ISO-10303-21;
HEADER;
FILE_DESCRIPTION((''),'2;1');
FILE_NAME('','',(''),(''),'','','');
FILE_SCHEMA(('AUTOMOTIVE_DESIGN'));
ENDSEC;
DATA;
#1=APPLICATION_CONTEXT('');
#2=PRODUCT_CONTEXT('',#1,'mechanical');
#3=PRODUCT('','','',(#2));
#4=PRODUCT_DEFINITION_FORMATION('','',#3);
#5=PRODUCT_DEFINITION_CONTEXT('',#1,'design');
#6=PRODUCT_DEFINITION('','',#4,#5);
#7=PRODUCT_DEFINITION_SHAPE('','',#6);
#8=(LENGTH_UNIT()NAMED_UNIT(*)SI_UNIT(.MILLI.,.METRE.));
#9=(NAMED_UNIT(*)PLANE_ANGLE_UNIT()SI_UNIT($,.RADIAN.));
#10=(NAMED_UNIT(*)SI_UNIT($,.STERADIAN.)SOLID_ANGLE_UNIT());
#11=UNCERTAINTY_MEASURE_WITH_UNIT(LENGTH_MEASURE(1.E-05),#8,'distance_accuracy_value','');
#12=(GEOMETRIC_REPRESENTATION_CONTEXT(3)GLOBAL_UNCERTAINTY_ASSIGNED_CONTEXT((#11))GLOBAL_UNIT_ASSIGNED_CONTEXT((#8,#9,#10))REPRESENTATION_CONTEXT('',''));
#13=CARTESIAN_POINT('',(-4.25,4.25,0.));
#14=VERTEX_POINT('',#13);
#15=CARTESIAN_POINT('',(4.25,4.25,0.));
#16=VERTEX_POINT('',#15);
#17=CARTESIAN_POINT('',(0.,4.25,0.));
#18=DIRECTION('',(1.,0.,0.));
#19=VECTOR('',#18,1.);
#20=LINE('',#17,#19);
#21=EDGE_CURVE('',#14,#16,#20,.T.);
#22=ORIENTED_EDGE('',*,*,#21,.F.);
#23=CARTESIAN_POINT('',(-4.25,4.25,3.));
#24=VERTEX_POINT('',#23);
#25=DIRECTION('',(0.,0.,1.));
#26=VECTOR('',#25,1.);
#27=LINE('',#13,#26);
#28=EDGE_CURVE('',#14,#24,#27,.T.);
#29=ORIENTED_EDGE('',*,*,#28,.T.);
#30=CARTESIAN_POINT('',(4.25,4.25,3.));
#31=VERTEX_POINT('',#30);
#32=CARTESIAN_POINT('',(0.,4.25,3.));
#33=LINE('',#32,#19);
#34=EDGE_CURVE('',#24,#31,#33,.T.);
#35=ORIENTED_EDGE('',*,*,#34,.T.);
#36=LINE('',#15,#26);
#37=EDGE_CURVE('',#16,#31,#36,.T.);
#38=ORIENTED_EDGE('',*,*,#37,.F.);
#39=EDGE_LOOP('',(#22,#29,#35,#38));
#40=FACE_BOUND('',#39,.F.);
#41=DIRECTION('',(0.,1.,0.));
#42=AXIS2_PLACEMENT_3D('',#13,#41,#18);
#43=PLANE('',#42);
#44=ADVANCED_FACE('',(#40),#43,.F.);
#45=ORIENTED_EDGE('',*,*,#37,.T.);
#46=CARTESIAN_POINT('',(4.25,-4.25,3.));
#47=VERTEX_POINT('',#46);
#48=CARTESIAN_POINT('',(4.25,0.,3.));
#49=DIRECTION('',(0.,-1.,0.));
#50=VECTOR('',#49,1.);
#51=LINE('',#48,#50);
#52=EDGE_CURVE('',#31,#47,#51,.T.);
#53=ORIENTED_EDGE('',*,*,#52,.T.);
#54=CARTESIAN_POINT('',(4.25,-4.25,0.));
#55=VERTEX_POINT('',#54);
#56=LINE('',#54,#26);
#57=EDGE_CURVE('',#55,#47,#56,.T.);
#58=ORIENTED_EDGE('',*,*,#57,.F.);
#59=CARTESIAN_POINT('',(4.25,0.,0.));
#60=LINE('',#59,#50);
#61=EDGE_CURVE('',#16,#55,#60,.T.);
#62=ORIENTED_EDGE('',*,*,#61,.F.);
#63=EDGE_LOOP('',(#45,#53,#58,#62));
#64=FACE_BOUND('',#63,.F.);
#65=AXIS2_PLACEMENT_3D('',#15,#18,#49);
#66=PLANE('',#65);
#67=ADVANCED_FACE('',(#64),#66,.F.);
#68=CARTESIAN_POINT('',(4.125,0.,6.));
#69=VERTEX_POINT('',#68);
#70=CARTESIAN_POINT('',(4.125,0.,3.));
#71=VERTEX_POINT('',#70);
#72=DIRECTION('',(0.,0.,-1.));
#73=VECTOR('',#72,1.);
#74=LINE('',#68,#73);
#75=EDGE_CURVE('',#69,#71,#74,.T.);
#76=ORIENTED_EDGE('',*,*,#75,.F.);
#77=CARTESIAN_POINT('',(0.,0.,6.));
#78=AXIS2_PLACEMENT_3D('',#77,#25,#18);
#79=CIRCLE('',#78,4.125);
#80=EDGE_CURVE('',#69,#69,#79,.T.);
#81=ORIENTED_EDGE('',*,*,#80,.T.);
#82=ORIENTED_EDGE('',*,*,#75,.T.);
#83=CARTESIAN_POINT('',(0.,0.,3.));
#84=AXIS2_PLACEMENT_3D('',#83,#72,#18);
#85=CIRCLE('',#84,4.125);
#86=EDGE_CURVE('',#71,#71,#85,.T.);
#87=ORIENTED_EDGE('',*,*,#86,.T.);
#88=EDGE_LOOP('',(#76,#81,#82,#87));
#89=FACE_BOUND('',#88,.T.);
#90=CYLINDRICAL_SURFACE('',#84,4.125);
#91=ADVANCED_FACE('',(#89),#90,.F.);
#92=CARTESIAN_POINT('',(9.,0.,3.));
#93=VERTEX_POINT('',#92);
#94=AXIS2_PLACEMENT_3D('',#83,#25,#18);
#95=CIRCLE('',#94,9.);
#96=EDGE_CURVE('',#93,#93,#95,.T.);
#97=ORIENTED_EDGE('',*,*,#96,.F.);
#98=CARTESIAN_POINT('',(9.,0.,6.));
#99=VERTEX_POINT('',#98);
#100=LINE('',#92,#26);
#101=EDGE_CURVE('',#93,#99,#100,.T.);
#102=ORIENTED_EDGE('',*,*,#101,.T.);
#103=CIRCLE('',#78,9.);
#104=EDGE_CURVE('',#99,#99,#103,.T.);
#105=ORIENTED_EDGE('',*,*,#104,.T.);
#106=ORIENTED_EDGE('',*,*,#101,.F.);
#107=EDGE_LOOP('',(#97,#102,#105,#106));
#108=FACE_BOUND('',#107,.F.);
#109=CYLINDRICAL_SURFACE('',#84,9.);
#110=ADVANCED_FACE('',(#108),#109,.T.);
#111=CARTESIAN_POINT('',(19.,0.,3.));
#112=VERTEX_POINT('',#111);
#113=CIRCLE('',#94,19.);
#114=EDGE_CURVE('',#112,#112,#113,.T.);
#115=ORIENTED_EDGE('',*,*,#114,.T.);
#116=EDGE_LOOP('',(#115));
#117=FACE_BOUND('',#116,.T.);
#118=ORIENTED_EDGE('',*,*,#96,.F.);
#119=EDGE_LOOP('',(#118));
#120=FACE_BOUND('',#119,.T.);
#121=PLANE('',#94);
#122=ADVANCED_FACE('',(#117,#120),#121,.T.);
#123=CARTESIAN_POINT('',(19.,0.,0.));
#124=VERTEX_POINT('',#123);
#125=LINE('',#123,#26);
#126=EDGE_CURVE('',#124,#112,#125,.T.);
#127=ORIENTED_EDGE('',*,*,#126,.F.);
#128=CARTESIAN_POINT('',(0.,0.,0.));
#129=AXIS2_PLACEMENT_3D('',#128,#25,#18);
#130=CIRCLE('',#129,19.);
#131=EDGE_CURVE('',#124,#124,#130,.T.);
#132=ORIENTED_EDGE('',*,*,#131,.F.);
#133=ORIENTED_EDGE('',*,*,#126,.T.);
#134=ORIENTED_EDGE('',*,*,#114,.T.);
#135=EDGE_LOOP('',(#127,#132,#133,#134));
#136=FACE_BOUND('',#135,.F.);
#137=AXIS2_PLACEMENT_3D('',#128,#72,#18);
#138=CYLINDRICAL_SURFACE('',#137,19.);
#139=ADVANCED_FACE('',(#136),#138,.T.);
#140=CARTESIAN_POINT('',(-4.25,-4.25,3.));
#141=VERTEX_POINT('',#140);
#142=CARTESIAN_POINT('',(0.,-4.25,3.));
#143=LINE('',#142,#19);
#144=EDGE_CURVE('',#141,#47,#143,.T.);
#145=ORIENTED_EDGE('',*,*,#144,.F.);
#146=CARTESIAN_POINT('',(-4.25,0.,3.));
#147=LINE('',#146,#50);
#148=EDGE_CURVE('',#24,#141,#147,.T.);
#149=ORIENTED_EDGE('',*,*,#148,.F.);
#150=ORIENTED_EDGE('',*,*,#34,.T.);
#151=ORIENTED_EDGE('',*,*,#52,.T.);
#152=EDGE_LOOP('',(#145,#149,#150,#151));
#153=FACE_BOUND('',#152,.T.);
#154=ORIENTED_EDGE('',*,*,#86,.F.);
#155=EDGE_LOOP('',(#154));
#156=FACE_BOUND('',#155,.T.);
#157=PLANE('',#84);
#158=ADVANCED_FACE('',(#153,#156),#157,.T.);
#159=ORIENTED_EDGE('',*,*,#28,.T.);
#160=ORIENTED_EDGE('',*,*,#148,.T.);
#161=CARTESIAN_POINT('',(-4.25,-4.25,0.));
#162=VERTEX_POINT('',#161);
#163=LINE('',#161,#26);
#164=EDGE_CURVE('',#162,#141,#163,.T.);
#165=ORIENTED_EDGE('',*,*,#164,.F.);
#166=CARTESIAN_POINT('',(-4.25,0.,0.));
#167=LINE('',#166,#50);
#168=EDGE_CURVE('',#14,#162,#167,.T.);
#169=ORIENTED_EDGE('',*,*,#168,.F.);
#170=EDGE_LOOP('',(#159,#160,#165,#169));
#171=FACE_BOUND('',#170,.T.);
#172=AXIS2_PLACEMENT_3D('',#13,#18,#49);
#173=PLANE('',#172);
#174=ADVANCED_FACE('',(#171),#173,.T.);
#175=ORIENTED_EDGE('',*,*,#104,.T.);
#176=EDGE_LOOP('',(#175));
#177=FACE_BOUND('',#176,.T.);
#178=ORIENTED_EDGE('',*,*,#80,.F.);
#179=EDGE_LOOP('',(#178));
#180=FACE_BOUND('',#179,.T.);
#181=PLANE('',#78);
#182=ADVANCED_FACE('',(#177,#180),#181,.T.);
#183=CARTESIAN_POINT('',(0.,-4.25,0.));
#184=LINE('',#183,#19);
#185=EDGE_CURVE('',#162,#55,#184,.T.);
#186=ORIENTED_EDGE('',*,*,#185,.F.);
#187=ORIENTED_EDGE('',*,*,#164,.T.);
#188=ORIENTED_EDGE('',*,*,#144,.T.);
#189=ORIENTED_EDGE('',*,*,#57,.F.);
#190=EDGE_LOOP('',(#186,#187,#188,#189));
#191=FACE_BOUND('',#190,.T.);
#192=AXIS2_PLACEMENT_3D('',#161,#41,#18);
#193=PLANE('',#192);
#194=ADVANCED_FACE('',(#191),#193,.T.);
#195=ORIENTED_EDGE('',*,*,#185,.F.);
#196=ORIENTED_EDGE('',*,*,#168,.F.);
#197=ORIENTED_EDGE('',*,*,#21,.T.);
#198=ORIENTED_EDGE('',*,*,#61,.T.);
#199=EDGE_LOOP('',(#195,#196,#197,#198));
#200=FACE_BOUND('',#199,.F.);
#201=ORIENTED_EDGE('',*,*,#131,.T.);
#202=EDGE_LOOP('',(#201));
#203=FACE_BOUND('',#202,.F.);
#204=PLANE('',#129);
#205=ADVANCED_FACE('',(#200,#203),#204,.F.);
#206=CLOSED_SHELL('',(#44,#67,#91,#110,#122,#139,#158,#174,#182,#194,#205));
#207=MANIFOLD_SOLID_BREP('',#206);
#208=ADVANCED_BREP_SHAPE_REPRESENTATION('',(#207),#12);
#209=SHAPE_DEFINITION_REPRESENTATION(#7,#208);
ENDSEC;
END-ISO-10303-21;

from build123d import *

# Parameters (mm, degrees)
SKETCH_R      = 19
SKETCH_R_2    = 4.125
PAD_DEPTH     = 3
SKETCH001_R   = 9
SKETCH001_R_2 = 4.125
PAD001_DEPTH  = 3
SKETCH002_W   = 8.5
SKETCH002_H   = 8.5
POCKET_DEPTH  = 3


with BuildPart() as part:
    # Sketch → Pad (new body)
    with BuildSketch(Plane.XY):
        Circle(SKETCH_R)
        Circle(SKETCH_R_2, mode=Mode.SUBTRACT)
    extrude(amount=PAD_DEPTH)

    # Sketch001 (on Face4 of Pad) → Pad001 (join)
    with BuildSketch(Plane.XY.offset(3)):
        Circle(SKETCH001_R)
        Circle(SKETCH001_R_2, mode=Mode.SUBTRACT)
    extrude(amount=PAD001_DEPTH)

    # Sketch002 (on Face2 of Pad001) → Pocket (cut)
    with BuildSketch(Plane(origin=(0, 0, 0), x_dir=(1, 0, 0), z_dir=(0, 0, -1))):
        Rectangle(SKETCH002_W, SKETCH002_H)
    extrude(amount=-POCKET_DEPTH, mode=Mode.SUBTRACT)


solid = part.part
